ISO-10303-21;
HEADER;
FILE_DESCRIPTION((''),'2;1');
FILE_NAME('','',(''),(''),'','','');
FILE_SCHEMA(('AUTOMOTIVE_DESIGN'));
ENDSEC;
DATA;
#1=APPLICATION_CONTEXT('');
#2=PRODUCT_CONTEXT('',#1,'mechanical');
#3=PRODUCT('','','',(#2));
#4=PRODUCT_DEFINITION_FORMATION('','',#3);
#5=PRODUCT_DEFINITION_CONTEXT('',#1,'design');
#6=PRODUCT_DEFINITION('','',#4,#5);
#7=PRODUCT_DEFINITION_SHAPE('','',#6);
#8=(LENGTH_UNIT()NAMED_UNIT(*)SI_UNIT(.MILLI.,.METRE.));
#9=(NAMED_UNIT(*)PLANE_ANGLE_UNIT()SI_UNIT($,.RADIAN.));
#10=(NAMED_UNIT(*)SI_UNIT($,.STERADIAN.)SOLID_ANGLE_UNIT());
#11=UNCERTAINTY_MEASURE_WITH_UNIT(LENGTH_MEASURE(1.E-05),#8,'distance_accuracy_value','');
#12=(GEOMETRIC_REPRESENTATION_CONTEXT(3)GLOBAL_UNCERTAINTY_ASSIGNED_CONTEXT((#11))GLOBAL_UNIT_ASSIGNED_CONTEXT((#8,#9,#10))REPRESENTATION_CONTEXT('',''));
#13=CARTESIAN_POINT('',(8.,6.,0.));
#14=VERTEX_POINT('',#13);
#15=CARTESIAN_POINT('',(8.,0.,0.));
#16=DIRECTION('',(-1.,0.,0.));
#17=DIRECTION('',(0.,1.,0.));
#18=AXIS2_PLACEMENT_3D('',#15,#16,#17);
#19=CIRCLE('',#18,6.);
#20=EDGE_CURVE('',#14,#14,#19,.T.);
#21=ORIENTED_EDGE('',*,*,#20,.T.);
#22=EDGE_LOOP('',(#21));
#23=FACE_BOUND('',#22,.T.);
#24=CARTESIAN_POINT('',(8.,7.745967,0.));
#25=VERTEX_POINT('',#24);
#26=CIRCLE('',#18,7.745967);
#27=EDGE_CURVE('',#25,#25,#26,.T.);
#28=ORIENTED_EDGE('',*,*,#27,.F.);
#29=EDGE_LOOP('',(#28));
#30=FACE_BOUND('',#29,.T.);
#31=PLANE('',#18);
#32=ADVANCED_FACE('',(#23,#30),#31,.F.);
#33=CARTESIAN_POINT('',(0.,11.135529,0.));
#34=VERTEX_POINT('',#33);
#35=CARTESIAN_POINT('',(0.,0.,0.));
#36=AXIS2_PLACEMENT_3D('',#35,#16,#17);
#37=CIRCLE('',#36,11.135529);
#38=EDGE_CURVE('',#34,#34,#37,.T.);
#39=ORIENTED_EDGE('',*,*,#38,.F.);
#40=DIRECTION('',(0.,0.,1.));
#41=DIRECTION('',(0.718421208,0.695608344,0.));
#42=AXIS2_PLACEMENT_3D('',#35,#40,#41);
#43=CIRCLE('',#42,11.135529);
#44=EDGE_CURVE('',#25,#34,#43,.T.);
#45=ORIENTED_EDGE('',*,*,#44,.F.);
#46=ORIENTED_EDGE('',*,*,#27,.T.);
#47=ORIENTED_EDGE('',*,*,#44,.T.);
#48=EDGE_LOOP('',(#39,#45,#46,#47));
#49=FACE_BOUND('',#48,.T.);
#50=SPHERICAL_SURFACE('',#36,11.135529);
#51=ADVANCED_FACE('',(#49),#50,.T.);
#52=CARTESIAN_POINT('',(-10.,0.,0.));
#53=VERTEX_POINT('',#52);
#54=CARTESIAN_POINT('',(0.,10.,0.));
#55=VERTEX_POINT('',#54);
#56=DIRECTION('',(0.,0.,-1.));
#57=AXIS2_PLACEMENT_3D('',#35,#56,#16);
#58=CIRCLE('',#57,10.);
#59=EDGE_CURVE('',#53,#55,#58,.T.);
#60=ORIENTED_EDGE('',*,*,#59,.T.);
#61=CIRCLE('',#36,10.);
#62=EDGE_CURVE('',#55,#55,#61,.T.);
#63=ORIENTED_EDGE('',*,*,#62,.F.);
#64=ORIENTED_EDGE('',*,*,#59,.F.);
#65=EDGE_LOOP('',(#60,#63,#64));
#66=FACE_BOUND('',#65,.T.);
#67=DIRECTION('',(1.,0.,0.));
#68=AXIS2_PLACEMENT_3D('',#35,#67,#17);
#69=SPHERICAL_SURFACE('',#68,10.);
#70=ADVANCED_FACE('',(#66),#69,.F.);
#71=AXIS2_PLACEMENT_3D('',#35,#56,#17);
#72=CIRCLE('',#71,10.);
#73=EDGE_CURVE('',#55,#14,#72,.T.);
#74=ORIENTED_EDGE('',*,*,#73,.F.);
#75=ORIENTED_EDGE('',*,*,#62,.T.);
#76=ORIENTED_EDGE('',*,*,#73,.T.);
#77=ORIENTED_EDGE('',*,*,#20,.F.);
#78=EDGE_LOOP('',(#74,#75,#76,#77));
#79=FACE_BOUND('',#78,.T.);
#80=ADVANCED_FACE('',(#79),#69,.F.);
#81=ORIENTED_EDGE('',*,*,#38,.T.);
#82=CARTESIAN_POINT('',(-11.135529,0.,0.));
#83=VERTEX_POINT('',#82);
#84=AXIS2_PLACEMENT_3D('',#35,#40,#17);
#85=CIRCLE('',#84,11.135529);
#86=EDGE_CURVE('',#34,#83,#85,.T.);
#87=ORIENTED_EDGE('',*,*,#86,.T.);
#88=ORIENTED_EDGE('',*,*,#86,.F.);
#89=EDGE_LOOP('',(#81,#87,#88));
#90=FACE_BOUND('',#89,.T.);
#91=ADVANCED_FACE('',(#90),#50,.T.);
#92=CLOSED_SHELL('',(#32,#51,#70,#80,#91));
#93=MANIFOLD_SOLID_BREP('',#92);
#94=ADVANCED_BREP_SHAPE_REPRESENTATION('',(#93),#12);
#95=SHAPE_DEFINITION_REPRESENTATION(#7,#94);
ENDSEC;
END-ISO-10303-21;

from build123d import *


with BuildPart() as f1:
    # F0 (on Top) → F1 (revolve)
    with BuildSketch(Plane.XY):
        with BuildLine():
            ThreePointArc((0, 10), (4.472135955, 8.94427191), (8, 6))
            Line((8, 6), (8, 7.7459666924))
            ThreePointArc((8, 7.7459666924), (4.3442240612, 10.2531808384), (0, 11.1355287257))
            Line((0, 11.1355287257), (0, 10))
        make_face()
        with BuildLine():
            ThreePointArc((-10, 0), (-7.0710678119, 7.0710678119), (0, 10))
            Line((0, 10), (0, 11.1355287257))
            ThreePointArc((0, 11.1355287257), (-7.874007874, 7.874007874), (-11.1355287257, 0))
            Line((-11.1355287257, 0), (-10, 0))
        make_face()
    revolve(axis=Axis((-5.5677643628, 0, 0), (-1, 0, 0)))


solid = f1.part
